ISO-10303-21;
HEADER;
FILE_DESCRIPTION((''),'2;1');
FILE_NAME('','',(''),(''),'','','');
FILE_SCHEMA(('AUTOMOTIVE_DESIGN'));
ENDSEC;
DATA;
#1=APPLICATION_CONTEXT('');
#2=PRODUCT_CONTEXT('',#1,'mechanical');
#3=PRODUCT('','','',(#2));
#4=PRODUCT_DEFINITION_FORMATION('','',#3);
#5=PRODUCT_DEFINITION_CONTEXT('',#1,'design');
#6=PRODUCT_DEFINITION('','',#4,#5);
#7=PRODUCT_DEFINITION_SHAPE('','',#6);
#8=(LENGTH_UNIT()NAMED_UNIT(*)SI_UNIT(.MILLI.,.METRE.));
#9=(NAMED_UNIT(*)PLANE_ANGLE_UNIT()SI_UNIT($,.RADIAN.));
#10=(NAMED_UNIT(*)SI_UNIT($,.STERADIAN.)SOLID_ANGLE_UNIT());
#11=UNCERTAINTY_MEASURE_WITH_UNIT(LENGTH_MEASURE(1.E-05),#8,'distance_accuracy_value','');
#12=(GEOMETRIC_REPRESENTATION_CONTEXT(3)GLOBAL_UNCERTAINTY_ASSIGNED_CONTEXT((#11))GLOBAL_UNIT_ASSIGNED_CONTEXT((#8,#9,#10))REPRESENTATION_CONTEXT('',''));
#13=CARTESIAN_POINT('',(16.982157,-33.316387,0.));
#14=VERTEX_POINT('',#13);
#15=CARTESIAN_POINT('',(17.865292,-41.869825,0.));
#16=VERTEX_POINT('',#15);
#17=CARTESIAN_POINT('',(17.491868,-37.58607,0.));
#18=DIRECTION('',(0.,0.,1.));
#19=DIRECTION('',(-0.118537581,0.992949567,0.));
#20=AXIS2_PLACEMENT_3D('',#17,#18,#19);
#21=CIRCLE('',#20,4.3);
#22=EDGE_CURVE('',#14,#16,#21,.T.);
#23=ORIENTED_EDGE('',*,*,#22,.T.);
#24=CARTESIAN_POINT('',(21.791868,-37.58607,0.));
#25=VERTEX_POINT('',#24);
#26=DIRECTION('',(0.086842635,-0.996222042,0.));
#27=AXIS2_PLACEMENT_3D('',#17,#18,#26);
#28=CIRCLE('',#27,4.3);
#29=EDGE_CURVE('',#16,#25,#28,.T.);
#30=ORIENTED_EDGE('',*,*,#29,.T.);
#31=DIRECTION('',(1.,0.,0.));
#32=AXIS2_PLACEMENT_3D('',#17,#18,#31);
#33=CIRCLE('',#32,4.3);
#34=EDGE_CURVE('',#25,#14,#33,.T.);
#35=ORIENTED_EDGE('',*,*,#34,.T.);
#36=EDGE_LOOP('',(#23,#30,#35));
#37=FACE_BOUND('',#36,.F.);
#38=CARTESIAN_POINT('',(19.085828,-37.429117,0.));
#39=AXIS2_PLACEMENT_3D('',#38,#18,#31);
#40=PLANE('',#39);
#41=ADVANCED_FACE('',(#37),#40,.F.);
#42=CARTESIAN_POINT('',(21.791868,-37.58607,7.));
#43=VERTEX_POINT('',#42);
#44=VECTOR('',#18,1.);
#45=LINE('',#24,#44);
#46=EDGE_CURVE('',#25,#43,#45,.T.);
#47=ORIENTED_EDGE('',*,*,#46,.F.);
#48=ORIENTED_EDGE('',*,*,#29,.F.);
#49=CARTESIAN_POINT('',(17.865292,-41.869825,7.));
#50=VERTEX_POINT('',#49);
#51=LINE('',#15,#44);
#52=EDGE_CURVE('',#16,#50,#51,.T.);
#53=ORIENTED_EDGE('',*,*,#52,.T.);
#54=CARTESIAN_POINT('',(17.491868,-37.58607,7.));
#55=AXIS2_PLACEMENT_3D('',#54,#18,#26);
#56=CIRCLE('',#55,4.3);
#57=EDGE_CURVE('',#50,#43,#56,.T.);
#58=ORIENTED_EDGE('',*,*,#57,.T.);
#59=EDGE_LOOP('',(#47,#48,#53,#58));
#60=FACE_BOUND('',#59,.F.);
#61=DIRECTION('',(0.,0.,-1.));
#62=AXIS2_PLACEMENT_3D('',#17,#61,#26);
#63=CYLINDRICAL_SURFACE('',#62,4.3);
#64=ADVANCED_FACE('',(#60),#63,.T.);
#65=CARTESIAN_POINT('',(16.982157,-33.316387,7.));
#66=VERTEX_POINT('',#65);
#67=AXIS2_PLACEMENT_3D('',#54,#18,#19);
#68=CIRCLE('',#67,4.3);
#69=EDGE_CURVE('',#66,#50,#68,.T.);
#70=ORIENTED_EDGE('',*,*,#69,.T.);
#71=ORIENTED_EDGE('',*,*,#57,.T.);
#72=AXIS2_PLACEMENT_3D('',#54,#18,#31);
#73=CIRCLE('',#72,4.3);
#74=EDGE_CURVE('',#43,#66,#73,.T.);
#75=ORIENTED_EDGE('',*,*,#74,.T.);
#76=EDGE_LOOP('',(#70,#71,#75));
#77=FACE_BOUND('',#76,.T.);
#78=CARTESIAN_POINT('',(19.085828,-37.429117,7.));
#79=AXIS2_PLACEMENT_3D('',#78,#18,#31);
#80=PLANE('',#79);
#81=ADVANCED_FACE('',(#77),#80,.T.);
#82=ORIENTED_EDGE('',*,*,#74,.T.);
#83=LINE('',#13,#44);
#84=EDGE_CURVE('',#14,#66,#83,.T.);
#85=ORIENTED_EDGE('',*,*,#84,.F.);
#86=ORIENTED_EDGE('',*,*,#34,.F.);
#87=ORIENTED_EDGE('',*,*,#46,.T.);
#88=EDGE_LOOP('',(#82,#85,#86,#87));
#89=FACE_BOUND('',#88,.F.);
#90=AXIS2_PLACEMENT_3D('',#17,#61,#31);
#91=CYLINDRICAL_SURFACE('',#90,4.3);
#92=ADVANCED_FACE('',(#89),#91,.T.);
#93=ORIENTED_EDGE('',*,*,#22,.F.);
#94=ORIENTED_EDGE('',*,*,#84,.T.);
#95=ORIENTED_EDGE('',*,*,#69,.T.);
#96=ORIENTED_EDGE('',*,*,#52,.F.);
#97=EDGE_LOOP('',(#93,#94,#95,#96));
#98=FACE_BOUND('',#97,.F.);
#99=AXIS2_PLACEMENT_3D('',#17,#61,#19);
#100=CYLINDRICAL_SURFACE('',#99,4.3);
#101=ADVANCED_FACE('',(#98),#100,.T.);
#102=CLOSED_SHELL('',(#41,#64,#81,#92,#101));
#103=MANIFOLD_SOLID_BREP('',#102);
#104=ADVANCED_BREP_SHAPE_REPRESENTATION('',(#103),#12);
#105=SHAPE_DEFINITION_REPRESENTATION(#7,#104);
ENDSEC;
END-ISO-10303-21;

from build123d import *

# Parameters (mm, degrees)
F1_DEPTH = 7


with BuildPart() as f1:
    # F0 (on Top) → F1 (new body)
    with BuildSketch(Plane.XY):
        with BuildLine():
            ThreePointArc((21.7918684657, -37.5860697512), (20.3465348318, -34.3703458921), (16.9821568667, -33.3163866147))
            add(Edge.make_bspline(
                [(17.8652917953, -41.8698245314), (17.5505417459, -37.4847211708), (16.9821568667, -33.3163866147)],
                knots=[4.9160342653, 4.9160342653, 4.9160342653, 5.0862495657, 5.0862495657, 5.0862495657], degree=2, weights=[1, 0.9963805295, 1]))
            ThreePointArc((17.8652917953, -41.8698245314), (20.6617044486, -40.491605819), (21.7918684657, -37.5860697512))
        make_face()
        with BuildLine():
            add(Edge.make_bspline(
                [(17.8652917953, -41.8698245314), (17.5505417459, -37.4847211708), (16.9821568667, -33.3163866147)],
                knots=[4.9160342653, 4.9160342653, 4.9160342653, 5.0862495657, 5.0862495657, 5.0862495657], degree=2, weights=[1, 0.9963805295, 1]))
            ThreePointArc((16.9821568667, -33.3163866147), (13.2146066463, -38.0276932654), (17.8652917953, -41.8698245314))
        make_face()
    extrude(amount=F1_DEPTH)


solid = f1.part
